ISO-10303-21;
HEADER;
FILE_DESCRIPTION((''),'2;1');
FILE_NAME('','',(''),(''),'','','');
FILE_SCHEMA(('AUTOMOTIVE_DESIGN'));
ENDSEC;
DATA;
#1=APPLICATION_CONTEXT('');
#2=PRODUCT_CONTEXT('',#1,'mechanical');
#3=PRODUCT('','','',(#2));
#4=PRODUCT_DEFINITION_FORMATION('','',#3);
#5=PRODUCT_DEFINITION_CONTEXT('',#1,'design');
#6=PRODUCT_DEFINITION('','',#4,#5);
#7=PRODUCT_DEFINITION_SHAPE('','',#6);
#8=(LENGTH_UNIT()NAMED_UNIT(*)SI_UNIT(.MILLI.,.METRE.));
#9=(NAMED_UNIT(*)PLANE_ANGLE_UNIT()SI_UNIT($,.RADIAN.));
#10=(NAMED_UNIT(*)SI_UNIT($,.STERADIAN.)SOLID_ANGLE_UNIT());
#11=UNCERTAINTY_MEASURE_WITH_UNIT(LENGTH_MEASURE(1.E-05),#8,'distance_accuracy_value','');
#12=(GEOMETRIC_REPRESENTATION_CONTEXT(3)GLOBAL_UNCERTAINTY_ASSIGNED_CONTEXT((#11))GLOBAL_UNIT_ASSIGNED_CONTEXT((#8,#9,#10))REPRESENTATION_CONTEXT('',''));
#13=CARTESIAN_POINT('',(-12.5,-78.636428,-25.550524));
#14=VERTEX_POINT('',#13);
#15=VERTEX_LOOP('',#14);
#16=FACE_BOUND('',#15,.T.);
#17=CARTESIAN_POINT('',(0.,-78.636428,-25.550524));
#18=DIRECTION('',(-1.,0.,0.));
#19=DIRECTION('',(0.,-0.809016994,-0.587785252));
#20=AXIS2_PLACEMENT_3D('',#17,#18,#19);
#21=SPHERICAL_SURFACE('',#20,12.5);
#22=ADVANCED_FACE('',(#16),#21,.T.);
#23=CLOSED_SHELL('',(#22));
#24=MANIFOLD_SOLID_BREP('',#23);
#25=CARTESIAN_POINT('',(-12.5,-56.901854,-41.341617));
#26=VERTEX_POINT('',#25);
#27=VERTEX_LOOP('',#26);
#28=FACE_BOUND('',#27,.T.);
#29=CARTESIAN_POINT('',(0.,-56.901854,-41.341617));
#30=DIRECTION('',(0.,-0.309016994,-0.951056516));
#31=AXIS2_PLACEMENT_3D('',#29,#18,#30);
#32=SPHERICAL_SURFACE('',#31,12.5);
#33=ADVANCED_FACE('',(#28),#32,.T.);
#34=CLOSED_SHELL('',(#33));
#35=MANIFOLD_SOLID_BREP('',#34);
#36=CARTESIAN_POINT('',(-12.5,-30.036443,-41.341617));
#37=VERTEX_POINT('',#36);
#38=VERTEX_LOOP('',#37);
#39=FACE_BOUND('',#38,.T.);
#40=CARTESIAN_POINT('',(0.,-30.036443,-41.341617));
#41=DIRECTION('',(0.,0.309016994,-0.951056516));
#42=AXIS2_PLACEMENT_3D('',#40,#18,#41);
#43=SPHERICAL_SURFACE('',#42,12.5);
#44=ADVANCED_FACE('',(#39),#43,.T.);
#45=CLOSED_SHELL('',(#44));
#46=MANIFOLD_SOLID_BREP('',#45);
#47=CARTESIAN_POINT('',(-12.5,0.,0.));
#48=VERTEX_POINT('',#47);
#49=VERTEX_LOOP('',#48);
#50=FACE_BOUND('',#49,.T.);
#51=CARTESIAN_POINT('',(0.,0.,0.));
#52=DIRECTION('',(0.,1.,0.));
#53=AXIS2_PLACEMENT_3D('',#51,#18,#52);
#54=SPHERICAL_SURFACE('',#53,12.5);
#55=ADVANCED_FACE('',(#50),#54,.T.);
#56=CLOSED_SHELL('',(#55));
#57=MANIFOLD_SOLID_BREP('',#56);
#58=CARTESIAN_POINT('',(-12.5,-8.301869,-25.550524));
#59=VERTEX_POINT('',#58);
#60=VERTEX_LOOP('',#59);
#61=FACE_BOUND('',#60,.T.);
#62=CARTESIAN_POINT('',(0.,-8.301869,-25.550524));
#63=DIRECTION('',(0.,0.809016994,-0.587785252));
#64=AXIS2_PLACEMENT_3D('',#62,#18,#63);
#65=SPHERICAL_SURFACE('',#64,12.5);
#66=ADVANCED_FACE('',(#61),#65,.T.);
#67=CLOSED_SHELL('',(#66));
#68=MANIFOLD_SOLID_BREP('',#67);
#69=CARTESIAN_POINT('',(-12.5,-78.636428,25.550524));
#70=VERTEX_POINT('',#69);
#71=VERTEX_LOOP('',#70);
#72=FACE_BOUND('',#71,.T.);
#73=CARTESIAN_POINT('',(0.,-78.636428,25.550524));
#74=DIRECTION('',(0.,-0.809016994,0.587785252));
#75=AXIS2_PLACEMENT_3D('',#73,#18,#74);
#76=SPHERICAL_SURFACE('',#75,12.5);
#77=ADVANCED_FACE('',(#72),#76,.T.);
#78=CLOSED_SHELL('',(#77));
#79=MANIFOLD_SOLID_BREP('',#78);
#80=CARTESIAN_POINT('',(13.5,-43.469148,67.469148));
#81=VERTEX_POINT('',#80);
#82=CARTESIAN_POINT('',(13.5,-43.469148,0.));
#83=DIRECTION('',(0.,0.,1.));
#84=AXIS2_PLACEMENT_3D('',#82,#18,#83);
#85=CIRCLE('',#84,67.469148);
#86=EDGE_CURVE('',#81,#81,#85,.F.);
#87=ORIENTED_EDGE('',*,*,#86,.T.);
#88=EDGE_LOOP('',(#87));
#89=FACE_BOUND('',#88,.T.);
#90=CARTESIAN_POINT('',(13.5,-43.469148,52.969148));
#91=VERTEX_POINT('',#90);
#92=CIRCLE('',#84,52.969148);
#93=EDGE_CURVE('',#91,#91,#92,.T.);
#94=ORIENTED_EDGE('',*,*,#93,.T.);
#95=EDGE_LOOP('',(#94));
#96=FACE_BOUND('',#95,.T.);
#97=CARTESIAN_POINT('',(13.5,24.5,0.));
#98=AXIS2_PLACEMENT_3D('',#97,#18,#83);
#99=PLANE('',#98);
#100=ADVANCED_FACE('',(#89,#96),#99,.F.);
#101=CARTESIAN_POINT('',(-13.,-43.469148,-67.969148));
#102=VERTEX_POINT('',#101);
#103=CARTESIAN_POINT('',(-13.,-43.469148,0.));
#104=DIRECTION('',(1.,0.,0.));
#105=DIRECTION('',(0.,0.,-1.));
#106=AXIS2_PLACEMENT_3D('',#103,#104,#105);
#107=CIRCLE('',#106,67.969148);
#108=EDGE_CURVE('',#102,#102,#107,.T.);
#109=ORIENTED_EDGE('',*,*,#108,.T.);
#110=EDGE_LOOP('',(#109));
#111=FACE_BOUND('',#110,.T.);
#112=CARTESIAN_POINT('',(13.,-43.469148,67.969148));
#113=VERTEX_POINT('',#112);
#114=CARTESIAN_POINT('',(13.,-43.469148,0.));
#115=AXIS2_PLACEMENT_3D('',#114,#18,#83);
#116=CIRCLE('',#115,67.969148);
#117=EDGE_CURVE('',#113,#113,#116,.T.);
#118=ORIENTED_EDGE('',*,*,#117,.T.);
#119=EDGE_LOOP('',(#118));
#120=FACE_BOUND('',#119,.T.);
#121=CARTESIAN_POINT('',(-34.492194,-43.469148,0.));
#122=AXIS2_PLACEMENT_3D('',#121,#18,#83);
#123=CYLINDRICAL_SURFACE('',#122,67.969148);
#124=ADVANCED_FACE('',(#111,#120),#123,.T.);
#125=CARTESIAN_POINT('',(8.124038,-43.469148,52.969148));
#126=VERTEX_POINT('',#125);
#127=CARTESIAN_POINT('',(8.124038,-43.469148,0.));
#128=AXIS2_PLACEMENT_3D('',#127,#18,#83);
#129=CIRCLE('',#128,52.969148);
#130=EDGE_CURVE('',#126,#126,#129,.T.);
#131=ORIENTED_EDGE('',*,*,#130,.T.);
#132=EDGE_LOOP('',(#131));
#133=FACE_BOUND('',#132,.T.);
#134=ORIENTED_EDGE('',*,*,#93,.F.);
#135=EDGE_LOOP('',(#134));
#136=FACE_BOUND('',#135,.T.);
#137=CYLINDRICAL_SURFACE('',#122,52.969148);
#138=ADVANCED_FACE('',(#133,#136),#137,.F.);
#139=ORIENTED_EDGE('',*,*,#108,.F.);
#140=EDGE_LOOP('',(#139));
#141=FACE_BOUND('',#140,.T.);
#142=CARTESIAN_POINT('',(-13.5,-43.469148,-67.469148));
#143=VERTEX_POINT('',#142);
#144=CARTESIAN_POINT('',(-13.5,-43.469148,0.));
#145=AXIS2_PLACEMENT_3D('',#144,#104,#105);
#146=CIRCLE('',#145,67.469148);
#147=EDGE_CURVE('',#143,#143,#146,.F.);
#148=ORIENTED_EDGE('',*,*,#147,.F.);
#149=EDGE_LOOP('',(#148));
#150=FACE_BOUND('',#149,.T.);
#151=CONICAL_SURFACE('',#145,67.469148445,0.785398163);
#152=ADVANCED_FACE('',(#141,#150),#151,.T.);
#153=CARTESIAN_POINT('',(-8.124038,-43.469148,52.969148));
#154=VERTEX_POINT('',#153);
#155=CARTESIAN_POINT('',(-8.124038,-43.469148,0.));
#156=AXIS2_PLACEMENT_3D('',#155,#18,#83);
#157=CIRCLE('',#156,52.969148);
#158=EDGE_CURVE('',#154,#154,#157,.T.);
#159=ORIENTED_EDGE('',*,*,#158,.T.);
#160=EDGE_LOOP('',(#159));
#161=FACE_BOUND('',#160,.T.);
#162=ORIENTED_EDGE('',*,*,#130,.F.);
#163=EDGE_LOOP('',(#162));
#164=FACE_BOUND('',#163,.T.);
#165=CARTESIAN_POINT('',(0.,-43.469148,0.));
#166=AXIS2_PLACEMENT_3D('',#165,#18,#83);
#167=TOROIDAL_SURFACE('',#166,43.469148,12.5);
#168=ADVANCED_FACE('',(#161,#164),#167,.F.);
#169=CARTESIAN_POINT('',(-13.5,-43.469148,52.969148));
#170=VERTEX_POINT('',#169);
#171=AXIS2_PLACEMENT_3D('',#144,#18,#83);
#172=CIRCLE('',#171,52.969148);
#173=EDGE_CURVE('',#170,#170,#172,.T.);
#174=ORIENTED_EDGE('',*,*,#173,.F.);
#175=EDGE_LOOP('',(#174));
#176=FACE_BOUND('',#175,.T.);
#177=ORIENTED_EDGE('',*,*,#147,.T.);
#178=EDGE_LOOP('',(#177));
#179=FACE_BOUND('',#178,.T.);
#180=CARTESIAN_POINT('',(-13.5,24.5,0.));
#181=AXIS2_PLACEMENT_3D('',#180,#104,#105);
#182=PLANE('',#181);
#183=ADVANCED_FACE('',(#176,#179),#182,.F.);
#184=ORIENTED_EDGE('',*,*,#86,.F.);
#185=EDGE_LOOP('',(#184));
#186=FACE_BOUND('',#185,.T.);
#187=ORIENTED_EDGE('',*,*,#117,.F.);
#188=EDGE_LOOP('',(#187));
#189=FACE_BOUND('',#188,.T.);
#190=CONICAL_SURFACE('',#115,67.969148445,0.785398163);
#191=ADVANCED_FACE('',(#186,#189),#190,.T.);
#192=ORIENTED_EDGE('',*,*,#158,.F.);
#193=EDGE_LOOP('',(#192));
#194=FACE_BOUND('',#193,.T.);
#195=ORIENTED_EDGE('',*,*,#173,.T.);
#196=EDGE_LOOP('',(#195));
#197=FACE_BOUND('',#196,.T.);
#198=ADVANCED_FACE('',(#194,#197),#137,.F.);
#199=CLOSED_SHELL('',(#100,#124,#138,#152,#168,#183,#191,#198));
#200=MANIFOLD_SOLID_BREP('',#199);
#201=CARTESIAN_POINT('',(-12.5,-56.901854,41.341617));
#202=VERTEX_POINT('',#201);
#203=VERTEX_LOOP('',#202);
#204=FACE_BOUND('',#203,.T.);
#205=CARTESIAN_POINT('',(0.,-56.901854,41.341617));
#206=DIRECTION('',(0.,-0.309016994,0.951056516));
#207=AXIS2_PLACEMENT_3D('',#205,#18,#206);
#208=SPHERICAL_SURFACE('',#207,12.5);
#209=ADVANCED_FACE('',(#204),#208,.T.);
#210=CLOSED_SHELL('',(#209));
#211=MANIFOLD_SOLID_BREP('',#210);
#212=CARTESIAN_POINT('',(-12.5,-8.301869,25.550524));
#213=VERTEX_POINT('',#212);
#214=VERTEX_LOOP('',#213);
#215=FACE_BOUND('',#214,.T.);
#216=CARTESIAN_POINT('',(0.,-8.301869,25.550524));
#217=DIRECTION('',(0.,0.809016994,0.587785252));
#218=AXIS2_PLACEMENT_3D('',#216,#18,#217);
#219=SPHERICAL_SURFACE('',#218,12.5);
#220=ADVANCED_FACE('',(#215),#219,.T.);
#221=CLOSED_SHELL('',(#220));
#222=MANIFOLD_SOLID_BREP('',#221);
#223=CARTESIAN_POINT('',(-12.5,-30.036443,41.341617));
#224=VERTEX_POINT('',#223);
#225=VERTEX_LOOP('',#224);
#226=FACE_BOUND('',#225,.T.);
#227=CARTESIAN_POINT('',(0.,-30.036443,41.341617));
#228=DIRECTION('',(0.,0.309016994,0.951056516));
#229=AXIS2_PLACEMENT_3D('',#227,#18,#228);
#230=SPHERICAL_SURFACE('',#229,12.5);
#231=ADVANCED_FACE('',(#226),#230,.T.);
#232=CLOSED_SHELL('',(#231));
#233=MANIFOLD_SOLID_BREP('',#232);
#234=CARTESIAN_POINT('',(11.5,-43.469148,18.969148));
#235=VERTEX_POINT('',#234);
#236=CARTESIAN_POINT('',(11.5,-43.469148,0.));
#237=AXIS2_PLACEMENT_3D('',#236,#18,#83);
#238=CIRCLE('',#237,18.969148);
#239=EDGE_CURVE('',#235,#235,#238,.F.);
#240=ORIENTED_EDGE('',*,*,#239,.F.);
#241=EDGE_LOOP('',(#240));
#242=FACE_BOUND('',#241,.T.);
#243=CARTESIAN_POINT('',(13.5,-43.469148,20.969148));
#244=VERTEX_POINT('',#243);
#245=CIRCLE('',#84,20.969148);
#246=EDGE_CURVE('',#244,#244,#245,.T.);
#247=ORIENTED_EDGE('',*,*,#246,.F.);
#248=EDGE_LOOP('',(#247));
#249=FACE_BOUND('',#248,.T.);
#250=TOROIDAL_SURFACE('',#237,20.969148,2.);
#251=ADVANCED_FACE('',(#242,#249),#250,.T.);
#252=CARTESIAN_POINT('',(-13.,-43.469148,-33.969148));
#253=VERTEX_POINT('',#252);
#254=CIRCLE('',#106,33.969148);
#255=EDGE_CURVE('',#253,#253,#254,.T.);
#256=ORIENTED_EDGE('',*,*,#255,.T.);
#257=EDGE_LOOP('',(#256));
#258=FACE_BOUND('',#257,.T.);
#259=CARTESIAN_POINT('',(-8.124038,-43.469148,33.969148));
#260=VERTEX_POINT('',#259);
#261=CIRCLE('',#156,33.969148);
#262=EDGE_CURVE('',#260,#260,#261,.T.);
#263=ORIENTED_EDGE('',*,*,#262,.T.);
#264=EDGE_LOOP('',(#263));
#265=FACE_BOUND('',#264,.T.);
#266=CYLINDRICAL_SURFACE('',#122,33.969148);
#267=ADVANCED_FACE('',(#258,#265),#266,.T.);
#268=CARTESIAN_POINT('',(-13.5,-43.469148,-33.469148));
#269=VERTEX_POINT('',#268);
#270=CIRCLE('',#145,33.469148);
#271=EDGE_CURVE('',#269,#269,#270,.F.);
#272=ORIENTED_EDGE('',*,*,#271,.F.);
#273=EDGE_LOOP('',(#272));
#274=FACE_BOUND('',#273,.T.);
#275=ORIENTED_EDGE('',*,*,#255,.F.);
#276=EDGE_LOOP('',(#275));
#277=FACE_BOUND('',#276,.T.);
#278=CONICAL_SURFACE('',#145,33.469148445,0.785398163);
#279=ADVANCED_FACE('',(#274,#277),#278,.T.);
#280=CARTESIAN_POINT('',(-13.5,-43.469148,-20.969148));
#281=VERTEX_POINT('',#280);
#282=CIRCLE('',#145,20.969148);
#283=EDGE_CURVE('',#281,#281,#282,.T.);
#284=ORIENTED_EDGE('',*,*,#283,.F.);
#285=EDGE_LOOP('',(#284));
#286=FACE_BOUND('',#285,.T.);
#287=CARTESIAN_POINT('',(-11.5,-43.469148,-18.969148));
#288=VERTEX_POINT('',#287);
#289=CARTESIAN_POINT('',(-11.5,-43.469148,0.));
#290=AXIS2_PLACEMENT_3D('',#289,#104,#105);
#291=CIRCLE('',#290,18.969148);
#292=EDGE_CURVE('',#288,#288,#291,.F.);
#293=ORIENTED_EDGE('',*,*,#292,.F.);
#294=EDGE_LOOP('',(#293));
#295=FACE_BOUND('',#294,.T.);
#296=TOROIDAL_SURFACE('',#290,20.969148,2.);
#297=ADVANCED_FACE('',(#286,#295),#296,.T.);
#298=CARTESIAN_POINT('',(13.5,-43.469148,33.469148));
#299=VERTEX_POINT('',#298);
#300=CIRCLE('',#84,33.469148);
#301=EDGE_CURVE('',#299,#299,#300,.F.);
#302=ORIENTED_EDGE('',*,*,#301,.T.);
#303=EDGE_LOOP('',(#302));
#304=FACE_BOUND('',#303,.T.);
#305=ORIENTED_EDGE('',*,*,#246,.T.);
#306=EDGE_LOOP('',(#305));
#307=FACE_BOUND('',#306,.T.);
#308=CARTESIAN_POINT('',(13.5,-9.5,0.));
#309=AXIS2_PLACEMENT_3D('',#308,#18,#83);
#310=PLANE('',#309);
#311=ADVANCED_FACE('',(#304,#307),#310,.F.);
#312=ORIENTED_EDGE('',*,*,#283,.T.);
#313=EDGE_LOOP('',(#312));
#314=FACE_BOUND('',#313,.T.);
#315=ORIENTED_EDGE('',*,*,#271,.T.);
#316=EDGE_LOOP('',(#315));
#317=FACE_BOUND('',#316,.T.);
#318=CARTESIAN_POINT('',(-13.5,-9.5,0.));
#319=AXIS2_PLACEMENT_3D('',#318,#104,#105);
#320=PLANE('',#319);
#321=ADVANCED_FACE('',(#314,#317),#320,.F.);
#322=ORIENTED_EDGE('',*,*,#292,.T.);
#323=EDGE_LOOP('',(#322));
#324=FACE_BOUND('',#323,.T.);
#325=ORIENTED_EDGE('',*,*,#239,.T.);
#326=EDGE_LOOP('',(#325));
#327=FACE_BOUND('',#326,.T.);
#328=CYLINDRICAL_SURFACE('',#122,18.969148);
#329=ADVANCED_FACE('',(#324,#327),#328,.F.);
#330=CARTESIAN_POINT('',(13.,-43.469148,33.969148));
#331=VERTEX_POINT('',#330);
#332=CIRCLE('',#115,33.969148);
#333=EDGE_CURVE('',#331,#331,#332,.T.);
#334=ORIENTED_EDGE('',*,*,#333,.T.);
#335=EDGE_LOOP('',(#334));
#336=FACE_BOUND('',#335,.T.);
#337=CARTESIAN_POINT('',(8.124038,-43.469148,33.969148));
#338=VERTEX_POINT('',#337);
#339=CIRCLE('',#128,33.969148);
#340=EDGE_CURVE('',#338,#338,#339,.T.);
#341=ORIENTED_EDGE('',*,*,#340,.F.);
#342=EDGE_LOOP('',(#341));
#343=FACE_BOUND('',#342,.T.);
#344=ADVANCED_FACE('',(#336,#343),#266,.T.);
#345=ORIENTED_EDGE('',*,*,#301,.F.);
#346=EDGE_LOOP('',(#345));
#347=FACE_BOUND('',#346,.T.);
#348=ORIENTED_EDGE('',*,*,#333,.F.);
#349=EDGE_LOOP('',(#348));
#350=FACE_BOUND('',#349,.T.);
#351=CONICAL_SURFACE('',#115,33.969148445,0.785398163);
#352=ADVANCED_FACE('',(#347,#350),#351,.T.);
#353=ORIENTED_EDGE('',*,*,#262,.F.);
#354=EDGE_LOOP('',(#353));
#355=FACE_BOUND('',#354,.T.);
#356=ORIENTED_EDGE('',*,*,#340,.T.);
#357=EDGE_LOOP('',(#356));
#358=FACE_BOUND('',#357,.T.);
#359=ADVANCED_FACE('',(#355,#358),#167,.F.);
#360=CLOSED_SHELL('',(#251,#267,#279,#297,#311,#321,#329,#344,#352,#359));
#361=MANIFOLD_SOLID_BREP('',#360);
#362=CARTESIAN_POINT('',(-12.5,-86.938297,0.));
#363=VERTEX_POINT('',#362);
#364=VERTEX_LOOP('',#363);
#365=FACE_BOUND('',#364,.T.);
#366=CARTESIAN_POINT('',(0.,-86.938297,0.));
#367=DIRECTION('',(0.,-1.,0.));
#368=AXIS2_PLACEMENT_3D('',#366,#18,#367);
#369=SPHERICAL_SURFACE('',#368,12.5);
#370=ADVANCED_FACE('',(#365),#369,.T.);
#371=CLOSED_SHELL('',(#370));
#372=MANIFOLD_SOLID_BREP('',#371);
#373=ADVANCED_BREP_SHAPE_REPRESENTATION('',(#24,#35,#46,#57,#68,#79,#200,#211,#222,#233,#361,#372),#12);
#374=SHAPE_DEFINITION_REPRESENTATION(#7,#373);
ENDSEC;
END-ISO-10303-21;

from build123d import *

# Parameters (mm, degrees)
CIRPATTERN1_COUNT = 10
CHAMFER1_SIZE     = 0.5
CHAMFER2_SIZE     = 0.5
FILLET1_R         = 2
CHAMFER3_SIZE     = 0.5
CHAMFER4_SIZE     = 0.5


with BuildPart() as part:
    # Sketch1 → Revolve4 (revolve)
    with BuildSketch(Plane.XY):
        with BuildLine():
            Line((-12.5, 0), (12.5, 0))
            ThreePointArc((12.5, 0), (0, 12.5), (-12.5, 0))
        make_face()
    revolve(axis=Axis((-60.917011617, 0, 0), (1, 0, 0)))


with BuildPart() as body_2:
    # Sketch2 → Revolve5 (revolve)
    with BuildSketch(Plane.XY, mode=Mode.PRIVATE) as revolve5_sk:
        with BuildLine():
            Line((8.124038405, -9.5), (13.5, -9.5))
            Line((13.5, -9.5), (13.5, -24.5))
            Line((13.5, -24.5), (-13.5, -24.5))
            Line((-13.5, -24.5), (-13.5, -9.5))
            Line((-13.5, -9.5), (-8.124038405, -9.5))
            ThreePointArc((-8.124038405, -9.5), (0, -12.5), (8.124038405, -9.5))
        make_face()
        with BuildLine():
            Line((-13.5, 24.5), (13.5, 24.5))
            Line((13.5, 24.5), (13.5, 9.5))
            Line((13.5, 9.5), (8.124038405, 9.5))
            ThreePointArc((8.124038405, 9.5), (0, 12.5), (-8.124038405, 9.5))
            Line((-8.124038405, 9.5), (-13.5, 9.5))
            Line((-13.5, 9.5), (-13.5, 24.5))
        make_face()
    revolve(revolve5_sk.sketch.rotate(Axis((-34.492193655, -43.469148445, 0), (1, 0, 0)), 90), axis=Axis((-34.492193655, -43.469148445, 0), (1, 0, 0)))

    # Chamfer1
    chamfer1_edges = [body_2.edges().sort_by_distance(p)[0] for p in [
        (13.5, -43.469148445, -67.969148445),
    ]]
    chamfer(chamfer1_edges, length=CHAMFER1_SIZE)

    # Chamfer2
    chamfer2_edges = [body_2.edges().sort_by_distance(p)[0] for p in [
        (13.5, -43.469148445, -33.969148445),
    ]]
    chamfer(chamfer2_edges, length=CHAMFER2_SIZE)

    # Fillet1
    fillet1_edges = [body_2.edges().sort_by_distance(p)[0] for p in [
        (13.5, -43.469148445, -18.969148445),
        (-13.5, -43.469148445, -18.969148445),
    ]]
    fillet(fillet1_edges, radius=FILLET1_R)

    # Chamfer3
    chamfer3_edges = [body_2.edges().sort_by_distance(p)[0] for p in [
        (-13.5, -43.469148445, -67.969148445),
    ]]
    chamfer(chamfer3_edges, length=CHAMFER3_SIZE)

    # Chamfer4
    chamfer4_edges = [body_2.edges().sort_by_distance(p)[0] for p in [
        (-13.5, -43.469148445, -33.969148445),
    ]]
    chamfer(chamfer4_edges, length=CHAMFER4_SIZE)


with BuildPart() as cirpattern1_1:
    # CirPattern1: pattern copy
    add(part.part.rotate(Axis((0, -43.469148445, 0), (1, 0, 0)), 1 * 360 / CIRPATTERN1_COUNT))


with BuildPart() as cirpattern1_2:
    # CirPattern1: pattern copy
    add(part.part.rotate(Axis((0, -43.469148445, 0), (1, 0, 0)), 2 * 360 / CIRPATTERN1_COUNT))


with BuildPart() as cirpattern1_3:
    # CirPattern1: pattern copy
    add(part.part.rotate(Axis((0, -43.469148445, 0), (1, 0, 0)), 3 * 360 / CIRPATTERN1_COUNT))


with BuildPart() as cirpattern1_4:
    # CirPattern1: pattern copy
    add(part.part.rotate(Axis((0, -43.469148445, 0), (1, 0, 0)), 4 * 360 / CIRPATTERN1_COUNT))


with BuildPart() as cirpattern1_5:
    # CirPattern1: pattern copy
    add(part.part.rotate(Axis((0, -43.469148445, 0), (1, 0, 0)), 5 * 360 / CIRPATTERN1_COUNT))


with BuildPart() as cirpattern1_6:
    # CirPattern1: pattern copy
    add(part.part.rotate(Axis((0, -43.469148445, 0), (1, 0, 0)), 6 * 360 / CIRPATTERN1_COUNT))


with BuildPart() as cirpattern1_7:
    # CirPattern1: pattern copy
    add(part.part.rotate(Axis((0, -43.469148445, 0), (1, 0, 0)), 7 * 360 / CIRPATTERN1_COUNT))


with BuildPart() as cirpattern1_8:
    # CirPattern1: pattern copy
    add(part.part.rotate(Axis((0, -43.469148445, 0), (1, 0, 0)), 8 * 360 / CIRPATTERN1_COUNT))


with BuildPart() as cirpattern1_9:
    # CirPattern1: pattern copy
    add(part.part.rotate(Axis((0, -43.469148445, 0), (1, 0, 0)), 9 * 360 / CIRPATTERN1_COUNT))


solid = Compound([part.part, body_2.part, cirpattern1_1.part, cirpattern1_2.part, cirpattern1_3.part, cirpattern1_4.part, cirpattern1_5.part, cirpattern1_6.part, cirpattern1_7.part, cirpattern1_8.part, cirpattern1_9.part])
